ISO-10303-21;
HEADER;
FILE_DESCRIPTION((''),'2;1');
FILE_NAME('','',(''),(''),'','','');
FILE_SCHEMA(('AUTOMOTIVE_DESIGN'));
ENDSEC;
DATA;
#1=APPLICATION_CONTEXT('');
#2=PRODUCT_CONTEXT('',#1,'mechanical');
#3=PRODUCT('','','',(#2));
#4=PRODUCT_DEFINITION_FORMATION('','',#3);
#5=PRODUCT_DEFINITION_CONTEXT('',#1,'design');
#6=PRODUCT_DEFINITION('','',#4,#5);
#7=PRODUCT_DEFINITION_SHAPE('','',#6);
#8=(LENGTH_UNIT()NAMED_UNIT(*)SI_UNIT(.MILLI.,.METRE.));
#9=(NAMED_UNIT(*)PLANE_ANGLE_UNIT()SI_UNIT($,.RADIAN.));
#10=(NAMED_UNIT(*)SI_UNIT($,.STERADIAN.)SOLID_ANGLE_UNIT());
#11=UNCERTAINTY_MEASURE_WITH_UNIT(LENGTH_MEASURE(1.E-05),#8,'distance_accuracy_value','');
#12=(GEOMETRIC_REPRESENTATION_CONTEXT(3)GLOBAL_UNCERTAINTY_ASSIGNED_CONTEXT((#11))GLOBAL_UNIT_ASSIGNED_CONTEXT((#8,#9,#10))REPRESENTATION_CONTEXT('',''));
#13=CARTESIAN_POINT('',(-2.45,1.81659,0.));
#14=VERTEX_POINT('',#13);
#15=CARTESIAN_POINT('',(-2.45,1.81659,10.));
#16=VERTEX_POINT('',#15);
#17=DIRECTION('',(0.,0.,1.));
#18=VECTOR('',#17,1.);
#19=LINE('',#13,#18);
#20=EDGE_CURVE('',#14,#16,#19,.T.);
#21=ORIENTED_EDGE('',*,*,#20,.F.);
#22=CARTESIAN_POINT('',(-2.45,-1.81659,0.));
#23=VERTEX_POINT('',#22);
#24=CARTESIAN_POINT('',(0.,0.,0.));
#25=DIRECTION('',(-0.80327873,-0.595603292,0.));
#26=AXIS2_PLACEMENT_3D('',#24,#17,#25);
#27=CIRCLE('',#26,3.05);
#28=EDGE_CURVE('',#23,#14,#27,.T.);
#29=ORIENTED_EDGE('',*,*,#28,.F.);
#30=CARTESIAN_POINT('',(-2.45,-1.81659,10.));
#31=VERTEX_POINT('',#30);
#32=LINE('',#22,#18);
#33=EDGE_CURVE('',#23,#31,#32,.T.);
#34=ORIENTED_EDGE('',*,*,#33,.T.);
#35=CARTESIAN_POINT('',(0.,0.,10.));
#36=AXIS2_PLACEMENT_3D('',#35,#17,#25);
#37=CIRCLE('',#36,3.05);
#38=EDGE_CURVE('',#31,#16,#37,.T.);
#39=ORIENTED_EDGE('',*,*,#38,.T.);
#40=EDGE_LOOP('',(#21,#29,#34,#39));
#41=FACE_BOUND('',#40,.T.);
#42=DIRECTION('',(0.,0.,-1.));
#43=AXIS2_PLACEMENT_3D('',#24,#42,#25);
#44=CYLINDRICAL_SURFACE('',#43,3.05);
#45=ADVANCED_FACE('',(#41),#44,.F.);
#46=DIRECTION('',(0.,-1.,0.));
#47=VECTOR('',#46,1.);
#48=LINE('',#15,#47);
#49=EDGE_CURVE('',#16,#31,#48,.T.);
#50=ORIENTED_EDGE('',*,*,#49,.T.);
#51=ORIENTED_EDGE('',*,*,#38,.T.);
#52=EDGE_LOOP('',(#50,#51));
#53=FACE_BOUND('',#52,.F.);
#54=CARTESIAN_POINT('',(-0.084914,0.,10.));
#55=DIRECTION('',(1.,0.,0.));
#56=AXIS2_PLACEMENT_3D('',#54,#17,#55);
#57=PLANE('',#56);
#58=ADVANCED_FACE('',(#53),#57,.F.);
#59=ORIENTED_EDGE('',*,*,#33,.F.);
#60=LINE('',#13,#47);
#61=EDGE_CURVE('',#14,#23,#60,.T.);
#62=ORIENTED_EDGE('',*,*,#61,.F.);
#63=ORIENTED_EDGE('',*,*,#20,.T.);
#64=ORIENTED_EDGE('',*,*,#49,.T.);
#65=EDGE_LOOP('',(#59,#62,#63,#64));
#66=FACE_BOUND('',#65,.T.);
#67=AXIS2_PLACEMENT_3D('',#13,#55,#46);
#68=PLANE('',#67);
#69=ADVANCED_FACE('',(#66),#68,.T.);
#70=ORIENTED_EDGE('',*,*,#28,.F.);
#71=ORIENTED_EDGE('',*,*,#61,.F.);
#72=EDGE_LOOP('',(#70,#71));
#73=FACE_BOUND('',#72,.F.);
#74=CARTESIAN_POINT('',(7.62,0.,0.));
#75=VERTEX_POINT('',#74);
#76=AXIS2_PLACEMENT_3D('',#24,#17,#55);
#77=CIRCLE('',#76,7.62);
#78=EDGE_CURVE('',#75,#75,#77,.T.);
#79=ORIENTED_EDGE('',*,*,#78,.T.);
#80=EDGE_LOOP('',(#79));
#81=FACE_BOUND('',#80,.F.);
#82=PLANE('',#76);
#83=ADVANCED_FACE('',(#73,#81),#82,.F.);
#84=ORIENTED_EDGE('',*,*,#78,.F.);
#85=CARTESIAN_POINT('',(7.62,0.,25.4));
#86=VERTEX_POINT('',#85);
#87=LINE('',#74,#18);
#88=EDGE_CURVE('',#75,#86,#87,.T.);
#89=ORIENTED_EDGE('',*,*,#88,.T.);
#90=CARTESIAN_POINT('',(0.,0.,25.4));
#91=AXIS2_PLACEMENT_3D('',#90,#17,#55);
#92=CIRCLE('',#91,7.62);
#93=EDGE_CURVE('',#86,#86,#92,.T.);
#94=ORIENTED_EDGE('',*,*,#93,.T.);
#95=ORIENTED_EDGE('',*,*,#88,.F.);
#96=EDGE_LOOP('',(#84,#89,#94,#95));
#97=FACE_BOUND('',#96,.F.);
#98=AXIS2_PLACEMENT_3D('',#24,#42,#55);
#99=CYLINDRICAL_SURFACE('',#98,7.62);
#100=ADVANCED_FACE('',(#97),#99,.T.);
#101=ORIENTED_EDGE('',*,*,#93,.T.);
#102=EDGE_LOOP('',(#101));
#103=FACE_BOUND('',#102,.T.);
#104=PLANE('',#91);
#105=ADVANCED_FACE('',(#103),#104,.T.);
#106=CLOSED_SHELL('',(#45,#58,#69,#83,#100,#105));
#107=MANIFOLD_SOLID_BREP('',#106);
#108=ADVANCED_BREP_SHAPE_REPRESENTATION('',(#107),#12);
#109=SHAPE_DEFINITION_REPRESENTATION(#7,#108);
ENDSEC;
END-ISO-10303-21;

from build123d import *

# Parameters (mm, degrees)
F1_R     = 7.62
F2_DEPTH = 25.4
F3_DEPTH = 10


with BuildPart() as f2:
    # F1 (on Top) → F2 (new body)
    with BuildSketch(Plane.XY):
        Circle(F1_R)
    extrude(amount=F2_DEPTH)

    # F0 (on Top) → F3 (cut)
    with BuildSketch(Plane.XY):
        with BuildLine():
            Line((-2.45, 1.81659), (-2.45, -1.81659))
            ThreePointArc((-2.45, -1.81659), (3.05, 0), (-2.45, 1.81659))
        make_face()
    extrude(amount=F3_DEPTH, mode=Mode.SUBTRACT)


solid = f2.part
